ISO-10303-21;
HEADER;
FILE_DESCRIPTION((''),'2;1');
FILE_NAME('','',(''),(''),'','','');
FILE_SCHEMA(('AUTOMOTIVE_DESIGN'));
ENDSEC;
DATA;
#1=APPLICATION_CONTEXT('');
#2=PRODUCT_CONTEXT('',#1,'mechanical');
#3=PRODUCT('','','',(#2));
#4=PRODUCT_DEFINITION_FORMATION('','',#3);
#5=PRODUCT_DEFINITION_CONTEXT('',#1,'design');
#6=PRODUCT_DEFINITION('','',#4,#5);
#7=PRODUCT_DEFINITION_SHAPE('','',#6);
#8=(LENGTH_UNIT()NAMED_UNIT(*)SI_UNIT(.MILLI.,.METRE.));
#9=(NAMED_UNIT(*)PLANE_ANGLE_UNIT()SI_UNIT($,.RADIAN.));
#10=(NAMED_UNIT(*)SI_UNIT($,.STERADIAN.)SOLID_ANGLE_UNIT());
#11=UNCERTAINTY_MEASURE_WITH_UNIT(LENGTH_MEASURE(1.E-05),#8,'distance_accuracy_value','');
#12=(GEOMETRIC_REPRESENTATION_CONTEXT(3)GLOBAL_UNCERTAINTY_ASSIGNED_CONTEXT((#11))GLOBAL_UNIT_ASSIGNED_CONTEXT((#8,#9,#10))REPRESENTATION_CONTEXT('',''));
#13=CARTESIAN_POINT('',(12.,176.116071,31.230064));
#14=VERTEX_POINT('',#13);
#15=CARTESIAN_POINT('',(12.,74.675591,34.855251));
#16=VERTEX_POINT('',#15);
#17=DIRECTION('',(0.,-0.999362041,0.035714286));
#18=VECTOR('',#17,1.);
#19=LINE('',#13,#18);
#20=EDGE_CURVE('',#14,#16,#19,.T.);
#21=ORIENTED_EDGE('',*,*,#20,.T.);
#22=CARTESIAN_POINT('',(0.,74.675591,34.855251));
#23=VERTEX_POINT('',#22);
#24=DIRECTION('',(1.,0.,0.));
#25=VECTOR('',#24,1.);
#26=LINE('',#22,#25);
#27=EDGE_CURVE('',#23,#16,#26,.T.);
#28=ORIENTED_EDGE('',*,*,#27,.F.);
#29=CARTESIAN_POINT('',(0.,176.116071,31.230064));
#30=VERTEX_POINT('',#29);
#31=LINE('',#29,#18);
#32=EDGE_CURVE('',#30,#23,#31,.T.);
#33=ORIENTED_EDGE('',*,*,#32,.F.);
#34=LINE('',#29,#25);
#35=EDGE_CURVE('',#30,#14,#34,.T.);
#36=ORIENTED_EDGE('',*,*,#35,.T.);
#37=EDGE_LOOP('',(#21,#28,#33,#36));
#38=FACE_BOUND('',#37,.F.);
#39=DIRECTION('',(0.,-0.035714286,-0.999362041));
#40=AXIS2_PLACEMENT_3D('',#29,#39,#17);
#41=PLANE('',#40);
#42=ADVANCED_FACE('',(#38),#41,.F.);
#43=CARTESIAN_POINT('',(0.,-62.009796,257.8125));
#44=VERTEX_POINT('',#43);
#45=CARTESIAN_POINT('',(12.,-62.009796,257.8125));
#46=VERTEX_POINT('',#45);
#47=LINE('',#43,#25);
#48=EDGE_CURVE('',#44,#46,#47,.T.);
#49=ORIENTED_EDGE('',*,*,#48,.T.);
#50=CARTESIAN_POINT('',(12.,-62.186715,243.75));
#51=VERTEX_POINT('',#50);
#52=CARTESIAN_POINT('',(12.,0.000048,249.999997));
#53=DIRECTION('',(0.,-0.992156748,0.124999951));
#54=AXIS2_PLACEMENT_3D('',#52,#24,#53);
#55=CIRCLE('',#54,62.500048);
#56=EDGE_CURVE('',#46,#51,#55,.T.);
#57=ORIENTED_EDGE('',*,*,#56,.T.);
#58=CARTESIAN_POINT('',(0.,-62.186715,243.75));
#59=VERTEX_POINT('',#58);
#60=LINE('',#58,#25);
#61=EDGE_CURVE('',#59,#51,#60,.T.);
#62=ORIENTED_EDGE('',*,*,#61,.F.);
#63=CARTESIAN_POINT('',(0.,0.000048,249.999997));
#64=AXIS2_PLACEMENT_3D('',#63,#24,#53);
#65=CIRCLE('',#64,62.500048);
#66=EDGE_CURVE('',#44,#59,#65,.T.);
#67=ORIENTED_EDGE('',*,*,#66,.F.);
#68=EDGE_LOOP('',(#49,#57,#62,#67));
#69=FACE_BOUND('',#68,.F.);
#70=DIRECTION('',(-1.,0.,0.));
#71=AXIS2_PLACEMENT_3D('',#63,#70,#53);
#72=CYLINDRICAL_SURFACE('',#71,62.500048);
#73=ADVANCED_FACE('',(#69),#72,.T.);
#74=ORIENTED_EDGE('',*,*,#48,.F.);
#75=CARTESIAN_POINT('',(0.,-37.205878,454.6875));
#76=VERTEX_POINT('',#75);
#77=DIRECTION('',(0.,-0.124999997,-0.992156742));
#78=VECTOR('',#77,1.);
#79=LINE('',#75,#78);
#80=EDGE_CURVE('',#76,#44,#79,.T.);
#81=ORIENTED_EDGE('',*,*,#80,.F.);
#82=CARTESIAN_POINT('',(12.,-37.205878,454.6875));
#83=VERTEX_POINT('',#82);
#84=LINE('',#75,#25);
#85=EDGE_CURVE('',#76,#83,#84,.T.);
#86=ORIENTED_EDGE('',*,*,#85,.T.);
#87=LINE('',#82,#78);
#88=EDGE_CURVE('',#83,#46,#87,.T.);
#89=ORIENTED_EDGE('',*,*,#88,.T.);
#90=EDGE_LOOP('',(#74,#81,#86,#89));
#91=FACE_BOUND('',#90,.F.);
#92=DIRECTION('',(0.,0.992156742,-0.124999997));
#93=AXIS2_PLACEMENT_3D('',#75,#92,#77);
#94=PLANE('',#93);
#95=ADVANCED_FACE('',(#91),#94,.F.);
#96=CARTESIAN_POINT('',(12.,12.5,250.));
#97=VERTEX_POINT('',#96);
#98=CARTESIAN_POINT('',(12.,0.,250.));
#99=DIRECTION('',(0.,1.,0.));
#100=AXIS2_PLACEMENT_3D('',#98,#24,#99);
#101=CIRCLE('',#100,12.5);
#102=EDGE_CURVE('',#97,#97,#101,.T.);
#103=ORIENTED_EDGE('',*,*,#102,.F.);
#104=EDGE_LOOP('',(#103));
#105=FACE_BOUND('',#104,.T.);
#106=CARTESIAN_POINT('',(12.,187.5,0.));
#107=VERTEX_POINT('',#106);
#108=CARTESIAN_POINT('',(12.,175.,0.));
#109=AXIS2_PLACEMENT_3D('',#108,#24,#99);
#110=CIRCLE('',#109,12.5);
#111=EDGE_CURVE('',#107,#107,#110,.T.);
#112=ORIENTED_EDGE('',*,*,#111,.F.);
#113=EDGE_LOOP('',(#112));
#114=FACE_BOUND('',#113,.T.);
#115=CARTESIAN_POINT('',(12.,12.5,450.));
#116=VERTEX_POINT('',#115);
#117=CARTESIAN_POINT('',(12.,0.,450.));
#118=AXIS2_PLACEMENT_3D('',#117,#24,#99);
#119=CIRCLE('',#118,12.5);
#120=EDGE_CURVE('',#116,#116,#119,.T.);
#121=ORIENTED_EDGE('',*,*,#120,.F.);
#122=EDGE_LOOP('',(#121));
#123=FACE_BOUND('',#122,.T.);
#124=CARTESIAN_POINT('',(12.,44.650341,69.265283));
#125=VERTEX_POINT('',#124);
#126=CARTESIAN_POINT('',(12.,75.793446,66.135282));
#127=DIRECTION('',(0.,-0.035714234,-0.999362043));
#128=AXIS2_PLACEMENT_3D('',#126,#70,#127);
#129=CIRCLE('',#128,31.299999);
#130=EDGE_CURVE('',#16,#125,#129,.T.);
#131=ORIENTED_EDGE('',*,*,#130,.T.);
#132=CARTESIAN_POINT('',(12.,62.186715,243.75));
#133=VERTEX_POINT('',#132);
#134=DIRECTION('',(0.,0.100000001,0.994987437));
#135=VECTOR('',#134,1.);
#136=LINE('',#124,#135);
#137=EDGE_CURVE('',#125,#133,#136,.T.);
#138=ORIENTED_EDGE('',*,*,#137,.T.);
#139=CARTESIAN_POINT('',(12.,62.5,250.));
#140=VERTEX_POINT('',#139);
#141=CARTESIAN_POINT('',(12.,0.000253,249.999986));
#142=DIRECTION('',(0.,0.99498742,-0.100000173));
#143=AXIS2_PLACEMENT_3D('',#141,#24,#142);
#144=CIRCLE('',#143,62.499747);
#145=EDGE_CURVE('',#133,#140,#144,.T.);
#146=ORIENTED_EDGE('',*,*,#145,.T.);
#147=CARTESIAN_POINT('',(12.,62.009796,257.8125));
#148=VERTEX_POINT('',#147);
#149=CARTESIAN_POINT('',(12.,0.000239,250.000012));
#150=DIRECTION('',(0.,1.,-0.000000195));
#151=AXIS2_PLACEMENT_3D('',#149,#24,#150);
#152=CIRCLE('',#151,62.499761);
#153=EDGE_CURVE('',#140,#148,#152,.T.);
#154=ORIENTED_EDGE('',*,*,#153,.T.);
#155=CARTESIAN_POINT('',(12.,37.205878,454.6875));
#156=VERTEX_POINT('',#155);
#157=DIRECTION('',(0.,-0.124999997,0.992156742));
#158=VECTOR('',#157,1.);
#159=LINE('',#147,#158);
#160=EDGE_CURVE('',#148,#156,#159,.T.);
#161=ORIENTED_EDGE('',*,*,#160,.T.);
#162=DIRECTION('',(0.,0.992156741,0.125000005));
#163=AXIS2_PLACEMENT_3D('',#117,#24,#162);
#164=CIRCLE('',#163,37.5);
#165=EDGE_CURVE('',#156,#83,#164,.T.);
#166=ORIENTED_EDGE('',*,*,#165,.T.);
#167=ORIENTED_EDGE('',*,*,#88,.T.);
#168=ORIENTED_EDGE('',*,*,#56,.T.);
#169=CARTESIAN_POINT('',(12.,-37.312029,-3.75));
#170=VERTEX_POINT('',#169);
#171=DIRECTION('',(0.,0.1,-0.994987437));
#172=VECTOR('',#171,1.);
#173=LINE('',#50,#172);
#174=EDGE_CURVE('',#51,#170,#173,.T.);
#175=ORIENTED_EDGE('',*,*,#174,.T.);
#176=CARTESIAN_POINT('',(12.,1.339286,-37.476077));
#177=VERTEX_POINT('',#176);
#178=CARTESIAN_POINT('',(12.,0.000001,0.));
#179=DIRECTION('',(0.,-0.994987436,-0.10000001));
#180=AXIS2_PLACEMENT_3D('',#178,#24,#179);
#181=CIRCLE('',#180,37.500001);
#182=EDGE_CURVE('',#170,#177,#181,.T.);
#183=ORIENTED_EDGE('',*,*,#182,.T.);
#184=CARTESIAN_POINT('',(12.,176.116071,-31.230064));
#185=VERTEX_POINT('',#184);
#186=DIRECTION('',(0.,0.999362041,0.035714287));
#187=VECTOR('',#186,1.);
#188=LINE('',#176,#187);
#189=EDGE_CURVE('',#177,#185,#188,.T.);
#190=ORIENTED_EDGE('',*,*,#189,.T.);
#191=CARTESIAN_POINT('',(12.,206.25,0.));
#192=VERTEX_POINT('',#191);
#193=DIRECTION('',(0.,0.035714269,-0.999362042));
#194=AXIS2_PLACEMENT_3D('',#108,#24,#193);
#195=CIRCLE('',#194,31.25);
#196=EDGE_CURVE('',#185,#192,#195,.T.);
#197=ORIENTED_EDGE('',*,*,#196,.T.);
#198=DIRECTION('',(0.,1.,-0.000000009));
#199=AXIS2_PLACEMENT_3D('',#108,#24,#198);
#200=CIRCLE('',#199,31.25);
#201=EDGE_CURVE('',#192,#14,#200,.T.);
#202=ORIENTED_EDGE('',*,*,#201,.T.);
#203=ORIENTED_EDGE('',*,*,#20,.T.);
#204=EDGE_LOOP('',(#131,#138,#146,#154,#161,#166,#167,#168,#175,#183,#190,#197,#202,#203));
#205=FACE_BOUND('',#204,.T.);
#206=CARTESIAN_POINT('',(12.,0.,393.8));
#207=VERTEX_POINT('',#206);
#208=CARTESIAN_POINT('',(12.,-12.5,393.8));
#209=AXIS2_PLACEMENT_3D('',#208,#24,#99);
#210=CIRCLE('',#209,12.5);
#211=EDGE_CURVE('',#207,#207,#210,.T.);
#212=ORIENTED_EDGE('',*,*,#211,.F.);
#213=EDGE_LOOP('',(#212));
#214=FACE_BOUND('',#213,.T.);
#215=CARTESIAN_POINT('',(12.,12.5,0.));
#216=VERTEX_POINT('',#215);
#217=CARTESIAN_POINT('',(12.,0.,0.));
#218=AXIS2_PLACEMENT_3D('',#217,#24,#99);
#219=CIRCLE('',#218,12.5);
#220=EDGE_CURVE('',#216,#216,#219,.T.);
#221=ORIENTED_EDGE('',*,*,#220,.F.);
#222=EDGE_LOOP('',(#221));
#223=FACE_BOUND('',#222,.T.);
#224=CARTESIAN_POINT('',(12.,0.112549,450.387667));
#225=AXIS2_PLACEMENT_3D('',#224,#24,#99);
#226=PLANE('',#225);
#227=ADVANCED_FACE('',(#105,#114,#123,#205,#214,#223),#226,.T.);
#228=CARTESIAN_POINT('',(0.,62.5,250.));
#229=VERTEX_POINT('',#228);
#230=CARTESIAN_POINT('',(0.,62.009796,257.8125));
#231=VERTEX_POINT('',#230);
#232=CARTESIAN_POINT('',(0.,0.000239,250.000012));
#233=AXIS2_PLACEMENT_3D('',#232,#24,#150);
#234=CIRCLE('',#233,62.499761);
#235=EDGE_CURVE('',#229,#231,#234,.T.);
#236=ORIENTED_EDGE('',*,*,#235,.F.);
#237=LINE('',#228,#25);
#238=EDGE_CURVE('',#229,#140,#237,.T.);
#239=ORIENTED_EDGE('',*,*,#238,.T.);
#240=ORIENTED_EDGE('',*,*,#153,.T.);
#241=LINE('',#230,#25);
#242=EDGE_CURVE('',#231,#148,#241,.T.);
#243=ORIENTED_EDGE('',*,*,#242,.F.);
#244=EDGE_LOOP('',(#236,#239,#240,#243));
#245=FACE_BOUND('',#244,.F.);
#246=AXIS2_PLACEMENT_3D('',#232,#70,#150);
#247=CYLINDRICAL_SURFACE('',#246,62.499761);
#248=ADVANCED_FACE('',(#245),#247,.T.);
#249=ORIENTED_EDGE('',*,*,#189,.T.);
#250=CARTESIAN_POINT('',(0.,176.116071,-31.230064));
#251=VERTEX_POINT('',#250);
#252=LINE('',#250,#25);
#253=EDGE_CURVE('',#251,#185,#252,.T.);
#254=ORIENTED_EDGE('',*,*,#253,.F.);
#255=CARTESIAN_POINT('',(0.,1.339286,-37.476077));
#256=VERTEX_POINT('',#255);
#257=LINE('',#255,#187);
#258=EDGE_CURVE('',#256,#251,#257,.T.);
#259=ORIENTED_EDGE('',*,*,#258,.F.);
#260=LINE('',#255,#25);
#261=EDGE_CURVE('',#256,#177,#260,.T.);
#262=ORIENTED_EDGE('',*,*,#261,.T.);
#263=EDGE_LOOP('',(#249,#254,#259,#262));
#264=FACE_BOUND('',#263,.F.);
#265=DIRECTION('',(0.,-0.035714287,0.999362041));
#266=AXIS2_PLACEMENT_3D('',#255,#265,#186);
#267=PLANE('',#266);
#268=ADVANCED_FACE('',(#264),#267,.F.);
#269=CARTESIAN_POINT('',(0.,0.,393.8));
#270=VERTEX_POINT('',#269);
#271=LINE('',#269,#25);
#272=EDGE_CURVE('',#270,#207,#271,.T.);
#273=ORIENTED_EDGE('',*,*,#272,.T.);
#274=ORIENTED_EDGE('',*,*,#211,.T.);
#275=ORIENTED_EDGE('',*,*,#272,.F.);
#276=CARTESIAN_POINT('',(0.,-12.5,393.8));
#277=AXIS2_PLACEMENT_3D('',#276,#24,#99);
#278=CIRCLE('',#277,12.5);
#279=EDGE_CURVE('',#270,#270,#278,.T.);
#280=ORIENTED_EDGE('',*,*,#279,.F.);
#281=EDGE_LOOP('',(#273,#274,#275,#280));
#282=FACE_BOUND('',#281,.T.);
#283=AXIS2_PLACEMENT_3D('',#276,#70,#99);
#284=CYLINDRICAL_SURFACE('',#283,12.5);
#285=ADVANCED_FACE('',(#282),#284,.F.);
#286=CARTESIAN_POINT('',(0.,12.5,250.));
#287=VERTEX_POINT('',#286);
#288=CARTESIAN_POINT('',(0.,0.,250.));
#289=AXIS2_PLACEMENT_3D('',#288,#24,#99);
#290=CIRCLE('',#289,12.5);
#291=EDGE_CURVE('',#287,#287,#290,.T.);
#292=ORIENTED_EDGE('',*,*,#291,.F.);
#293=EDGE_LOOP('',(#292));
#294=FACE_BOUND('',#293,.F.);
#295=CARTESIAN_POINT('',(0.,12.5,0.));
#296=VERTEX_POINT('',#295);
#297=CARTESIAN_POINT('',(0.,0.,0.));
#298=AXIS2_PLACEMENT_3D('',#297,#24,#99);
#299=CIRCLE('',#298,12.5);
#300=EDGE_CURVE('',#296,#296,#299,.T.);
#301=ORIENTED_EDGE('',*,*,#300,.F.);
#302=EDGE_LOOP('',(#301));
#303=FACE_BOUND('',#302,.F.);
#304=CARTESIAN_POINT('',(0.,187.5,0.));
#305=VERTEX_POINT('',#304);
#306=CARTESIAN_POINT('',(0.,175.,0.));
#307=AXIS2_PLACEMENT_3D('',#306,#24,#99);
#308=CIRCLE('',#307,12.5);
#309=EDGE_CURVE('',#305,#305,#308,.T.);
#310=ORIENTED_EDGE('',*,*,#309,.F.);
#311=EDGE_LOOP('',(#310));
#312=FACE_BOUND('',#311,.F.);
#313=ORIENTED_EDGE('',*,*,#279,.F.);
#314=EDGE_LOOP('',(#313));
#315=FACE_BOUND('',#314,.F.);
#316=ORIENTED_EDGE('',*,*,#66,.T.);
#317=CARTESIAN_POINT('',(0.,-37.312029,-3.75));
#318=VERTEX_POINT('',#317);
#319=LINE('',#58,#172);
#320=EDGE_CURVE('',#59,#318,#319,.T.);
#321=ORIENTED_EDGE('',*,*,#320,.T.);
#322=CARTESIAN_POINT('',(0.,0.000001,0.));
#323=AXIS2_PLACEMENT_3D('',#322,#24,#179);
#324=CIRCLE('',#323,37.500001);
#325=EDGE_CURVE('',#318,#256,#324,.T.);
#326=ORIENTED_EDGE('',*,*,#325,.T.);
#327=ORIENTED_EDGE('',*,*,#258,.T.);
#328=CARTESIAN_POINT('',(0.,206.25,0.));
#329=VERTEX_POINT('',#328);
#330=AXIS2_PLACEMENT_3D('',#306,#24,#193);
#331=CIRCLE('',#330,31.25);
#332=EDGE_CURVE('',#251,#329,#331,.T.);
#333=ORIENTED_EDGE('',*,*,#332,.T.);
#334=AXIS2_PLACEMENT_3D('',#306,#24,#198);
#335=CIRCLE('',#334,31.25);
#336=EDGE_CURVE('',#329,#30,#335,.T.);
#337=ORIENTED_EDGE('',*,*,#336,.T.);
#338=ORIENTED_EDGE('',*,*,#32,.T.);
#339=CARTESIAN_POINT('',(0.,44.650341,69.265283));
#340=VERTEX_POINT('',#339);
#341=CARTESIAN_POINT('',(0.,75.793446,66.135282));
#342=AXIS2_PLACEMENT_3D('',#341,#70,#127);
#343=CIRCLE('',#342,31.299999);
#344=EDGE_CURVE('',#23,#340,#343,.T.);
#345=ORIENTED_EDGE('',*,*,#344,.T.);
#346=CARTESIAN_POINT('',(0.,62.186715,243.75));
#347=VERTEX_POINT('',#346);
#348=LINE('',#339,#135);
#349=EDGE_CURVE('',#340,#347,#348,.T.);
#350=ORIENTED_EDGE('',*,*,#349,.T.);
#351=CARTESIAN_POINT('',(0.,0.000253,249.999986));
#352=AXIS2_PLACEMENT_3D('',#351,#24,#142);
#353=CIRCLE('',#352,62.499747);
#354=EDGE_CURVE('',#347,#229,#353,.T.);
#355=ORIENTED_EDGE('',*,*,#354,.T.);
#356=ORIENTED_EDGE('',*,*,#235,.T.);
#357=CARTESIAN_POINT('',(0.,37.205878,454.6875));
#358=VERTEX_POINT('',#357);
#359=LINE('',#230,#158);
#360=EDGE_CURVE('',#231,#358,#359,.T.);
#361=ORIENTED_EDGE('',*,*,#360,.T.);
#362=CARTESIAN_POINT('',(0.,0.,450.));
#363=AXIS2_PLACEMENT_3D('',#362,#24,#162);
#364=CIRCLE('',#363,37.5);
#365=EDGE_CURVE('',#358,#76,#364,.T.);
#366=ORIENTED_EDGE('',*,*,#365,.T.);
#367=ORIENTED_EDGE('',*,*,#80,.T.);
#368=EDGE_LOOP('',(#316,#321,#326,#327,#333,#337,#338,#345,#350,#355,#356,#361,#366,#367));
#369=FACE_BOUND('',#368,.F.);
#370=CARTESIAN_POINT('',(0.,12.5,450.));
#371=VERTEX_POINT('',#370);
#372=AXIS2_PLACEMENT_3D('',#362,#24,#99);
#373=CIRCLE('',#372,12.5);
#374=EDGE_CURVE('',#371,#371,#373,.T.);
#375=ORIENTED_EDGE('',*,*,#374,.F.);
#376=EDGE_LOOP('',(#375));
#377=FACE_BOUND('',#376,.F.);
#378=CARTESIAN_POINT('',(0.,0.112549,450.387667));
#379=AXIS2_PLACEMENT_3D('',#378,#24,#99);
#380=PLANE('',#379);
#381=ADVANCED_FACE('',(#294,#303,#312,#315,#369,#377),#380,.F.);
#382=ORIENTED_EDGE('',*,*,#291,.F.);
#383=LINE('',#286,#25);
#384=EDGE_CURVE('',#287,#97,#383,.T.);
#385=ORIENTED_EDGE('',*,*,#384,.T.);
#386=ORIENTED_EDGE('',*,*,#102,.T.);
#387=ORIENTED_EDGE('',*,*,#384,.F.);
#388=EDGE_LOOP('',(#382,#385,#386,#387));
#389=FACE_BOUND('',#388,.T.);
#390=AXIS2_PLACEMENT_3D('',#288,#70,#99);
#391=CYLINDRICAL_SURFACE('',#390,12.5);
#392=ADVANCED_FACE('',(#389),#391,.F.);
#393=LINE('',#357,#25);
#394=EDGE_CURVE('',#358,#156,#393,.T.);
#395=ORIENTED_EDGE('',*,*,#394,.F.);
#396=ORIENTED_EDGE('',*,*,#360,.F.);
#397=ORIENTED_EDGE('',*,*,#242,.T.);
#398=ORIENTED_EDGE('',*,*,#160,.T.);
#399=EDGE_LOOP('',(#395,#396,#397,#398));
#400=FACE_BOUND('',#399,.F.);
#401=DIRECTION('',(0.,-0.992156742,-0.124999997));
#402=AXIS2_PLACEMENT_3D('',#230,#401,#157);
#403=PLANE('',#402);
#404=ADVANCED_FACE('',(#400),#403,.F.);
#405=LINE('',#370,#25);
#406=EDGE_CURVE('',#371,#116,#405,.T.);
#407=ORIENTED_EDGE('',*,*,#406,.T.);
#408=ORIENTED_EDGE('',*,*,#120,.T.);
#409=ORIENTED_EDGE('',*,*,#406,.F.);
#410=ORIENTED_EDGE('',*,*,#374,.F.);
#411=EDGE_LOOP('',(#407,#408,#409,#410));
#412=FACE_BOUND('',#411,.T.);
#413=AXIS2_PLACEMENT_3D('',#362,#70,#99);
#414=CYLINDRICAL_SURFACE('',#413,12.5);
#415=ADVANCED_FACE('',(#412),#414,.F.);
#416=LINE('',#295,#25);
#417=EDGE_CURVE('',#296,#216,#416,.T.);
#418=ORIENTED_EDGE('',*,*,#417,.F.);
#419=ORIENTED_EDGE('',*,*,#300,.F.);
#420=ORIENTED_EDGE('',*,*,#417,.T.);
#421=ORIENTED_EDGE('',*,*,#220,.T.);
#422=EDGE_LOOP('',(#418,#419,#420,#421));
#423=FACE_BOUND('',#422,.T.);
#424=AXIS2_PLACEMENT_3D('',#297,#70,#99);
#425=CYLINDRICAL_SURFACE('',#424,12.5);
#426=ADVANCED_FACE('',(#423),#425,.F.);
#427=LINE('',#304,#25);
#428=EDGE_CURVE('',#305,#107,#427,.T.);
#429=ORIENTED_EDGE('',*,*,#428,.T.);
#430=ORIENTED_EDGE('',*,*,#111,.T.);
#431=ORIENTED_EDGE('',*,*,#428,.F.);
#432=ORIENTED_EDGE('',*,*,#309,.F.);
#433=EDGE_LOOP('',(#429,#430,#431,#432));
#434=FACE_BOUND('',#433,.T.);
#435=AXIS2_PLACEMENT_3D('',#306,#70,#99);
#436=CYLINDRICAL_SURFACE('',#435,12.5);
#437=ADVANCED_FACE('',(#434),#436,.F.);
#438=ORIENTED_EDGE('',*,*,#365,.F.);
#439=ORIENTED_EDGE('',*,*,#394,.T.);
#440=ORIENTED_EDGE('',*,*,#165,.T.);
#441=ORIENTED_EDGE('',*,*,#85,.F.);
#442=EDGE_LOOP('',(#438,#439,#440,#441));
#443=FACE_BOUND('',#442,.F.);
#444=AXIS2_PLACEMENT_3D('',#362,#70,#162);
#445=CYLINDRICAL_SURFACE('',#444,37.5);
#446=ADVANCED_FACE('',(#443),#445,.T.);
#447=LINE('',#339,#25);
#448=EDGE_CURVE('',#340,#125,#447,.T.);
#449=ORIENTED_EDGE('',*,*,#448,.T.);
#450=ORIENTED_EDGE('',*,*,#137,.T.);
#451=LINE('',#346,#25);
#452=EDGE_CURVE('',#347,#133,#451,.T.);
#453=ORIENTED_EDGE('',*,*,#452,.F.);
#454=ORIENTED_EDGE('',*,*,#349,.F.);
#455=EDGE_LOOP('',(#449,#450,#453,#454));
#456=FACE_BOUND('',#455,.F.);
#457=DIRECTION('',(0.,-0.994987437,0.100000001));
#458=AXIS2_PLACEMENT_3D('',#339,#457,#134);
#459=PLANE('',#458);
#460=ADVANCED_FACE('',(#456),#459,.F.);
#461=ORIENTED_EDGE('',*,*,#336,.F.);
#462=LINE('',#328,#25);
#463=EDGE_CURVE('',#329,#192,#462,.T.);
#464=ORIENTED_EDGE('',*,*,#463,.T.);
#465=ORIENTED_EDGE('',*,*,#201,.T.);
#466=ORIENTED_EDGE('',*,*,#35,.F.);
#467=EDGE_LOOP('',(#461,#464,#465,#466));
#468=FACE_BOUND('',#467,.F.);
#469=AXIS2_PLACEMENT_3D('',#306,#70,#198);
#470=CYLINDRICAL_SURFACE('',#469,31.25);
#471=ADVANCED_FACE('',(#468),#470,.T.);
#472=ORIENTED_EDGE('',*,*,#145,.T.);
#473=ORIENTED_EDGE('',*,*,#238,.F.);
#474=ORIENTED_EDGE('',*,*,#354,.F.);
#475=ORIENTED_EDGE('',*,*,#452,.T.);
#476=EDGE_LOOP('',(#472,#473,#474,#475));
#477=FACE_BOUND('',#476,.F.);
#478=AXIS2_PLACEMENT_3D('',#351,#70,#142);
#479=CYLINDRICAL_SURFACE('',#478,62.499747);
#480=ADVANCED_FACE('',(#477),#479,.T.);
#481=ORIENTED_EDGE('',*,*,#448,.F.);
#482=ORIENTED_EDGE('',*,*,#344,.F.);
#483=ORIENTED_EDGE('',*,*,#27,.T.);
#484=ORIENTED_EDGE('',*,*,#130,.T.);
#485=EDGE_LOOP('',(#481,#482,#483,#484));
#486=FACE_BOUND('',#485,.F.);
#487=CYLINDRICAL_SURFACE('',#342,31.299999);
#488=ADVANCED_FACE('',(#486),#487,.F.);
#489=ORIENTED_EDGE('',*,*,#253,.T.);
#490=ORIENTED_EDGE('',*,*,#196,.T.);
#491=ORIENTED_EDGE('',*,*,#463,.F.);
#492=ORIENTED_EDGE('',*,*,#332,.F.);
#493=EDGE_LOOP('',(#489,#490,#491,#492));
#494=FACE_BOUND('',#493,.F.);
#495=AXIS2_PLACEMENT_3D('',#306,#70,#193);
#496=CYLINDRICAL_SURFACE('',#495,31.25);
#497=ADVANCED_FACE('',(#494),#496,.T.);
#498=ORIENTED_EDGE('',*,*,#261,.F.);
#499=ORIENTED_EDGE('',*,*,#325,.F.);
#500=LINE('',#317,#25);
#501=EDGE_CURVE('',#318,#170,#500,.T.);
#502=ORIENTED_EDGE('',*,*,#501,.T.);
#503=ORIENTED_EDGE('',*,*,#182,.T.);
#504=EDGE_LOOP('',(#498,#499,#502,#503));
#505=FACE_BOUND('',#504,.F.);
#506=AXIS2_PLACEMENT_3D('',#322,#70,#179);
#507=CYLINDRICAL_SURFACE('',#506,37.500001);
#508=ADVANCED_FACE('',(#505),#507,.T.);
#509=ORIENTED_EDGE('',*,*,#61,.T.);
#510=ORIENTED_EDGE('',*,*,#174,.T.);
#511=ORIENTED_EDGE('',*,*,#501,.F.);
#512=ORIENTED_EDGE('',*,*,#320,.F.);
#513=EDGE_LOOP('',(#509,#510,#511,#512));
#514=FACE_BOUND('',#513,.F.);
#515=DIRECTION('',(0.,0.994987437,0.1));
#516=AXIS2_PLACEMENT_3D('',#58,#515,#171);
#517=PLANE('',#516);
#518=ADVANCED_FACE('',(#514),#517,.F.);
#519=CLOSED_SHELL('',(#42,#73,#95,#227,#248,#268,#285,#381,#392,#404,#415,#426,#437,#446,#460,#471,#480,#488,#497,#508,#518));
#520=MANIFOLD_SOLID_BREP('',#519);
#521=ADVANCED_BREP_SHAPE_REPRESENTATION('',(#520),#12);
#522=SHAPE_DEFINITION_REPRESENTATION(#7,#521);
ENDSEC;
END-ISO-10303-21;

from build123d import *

# Parameters (mm, degrees)
F0_R     = 12.5
F1_DEPTH = 12


with BuildPart() as f1:
    # F0 (on Right) → F1 (new body)
    with BuildSketch(Plane.YZ):
        with BuildLine():
            ThreePointArc((-37.205878, 454.6875), (-2.348359, 412.573603), (37.5, 450))
            ThreePointArc((37.5, 450), (37.426397, 452.348359), (37.205878, 454.6875))
            ThreePointArc((37.205878, 454.6875), (0, 487.5), (-37.205878, 454.6875))
        make_face()
        with Locations((0, 450)):
            Circle(F0_R, mode=Mode.SUBTRACT)
        with BuildLine():
            ThreePointArc((37.205878, 454.6875), (37.426397, 452.348359), (37.5, 450))
            ThreePointArc((37.5, 450), (-2.348359, 412.573603), (-37.205878, 454.6875))
            Line((-37.205878, 454.6875), (-62.009796, 257.8125))
            ThreePointArc((-62.009796, 257.8125), (0, 312.5), (62.009796, 257.8125))
            Line((62.009796, 257.8125), (37.205878, 454.6875))
        make_face()
        with Locations((-12.5, 393.8)):
            Circle(F0_R, mode=Mode.SUBTRACT)
        with BuildLine():
            ThreePointArc((62.5, 250), (62.377329, 253.913932), (62.009796, 257.8125))
            ThreePointArc((62.009796, 257.8125), (0, 312.5), (-62.009796, 257.8125))
            ThreePointArc((-62.009796, 257.8125), (-62.495054, 250.786242), (-62.186715, 243.75))
            ThreePointArc((-62.186715, 243.75), (0, 187.5), (62.186715, 243.75))
            ThreePointArc((62.186715, 243.75), (62.42163, 246.871077), (62.5, 250))
        make_face()
        with Locations((0, 250)):
            Circle(F0_R, mode=Mode.SUBTRACT)
        with BuildLine():
            ThreePointArc((62.186715, 243.75), (0, 187.5), (-62.186715, 243.75))
            Line((-62.186715, 243.75), (-37.312029, -3.75))
            ThreePointArc((-37.312029, -3.75), (-1.877354, 37.452978), (37.5, 0))
            ThreePointArc((37.5, 0), (26.985859, -26.03869), (1.339286, -37.476077))
            Line((1.339286, -37.476077), (176.116071, -31.230064))
            ThreePointArc((176.116071, -31.230064), (143.75, 0), (176.116071, 31.230064))
            Line((176.116071, 31.230064), (74.675591, 34.855251))
            ThreePointArc((74.675591, 34.855251), (52.209448, 45.556532), (44.650341, 69.265283))
            Line((44.650341, 69.265283), (62.186715, 243.75))
        make_face()
        with BuildLine():
            ThreePointArc((37.5, 0), (-1.877354, 37.452978), (-37.312029, -3.75))
            ThreePointArc((-37.312029, -3.75), (-24.655053, -28.25559), (1.339286, -37.476077))
            ThreePointArc((1.339286, -37.476077), (26.985859, -26.03869), (37.5, 0))
        make_face()
        Circle(F0_R, mode=Mode.SUBTRACT)
        with BuildLine():
            ThreePointArc((176.116071, 31.230064), (143.75, 0), (176.116071, -31.230064))
            ThreePointArc((176.116071, -31.230064), (197.488216, -21.698909), (206.25, 0))
            ThreePointArc((206.25, 0), (197.488216, 21.698909), (176.116071, 31.230064))
        make_face()
        with Locations((175, 0)):
            Circle(F0_R, mode=Mode.SUBTRACT)
    extrude(amount=F1_DEPTH)


solid = f1.part
